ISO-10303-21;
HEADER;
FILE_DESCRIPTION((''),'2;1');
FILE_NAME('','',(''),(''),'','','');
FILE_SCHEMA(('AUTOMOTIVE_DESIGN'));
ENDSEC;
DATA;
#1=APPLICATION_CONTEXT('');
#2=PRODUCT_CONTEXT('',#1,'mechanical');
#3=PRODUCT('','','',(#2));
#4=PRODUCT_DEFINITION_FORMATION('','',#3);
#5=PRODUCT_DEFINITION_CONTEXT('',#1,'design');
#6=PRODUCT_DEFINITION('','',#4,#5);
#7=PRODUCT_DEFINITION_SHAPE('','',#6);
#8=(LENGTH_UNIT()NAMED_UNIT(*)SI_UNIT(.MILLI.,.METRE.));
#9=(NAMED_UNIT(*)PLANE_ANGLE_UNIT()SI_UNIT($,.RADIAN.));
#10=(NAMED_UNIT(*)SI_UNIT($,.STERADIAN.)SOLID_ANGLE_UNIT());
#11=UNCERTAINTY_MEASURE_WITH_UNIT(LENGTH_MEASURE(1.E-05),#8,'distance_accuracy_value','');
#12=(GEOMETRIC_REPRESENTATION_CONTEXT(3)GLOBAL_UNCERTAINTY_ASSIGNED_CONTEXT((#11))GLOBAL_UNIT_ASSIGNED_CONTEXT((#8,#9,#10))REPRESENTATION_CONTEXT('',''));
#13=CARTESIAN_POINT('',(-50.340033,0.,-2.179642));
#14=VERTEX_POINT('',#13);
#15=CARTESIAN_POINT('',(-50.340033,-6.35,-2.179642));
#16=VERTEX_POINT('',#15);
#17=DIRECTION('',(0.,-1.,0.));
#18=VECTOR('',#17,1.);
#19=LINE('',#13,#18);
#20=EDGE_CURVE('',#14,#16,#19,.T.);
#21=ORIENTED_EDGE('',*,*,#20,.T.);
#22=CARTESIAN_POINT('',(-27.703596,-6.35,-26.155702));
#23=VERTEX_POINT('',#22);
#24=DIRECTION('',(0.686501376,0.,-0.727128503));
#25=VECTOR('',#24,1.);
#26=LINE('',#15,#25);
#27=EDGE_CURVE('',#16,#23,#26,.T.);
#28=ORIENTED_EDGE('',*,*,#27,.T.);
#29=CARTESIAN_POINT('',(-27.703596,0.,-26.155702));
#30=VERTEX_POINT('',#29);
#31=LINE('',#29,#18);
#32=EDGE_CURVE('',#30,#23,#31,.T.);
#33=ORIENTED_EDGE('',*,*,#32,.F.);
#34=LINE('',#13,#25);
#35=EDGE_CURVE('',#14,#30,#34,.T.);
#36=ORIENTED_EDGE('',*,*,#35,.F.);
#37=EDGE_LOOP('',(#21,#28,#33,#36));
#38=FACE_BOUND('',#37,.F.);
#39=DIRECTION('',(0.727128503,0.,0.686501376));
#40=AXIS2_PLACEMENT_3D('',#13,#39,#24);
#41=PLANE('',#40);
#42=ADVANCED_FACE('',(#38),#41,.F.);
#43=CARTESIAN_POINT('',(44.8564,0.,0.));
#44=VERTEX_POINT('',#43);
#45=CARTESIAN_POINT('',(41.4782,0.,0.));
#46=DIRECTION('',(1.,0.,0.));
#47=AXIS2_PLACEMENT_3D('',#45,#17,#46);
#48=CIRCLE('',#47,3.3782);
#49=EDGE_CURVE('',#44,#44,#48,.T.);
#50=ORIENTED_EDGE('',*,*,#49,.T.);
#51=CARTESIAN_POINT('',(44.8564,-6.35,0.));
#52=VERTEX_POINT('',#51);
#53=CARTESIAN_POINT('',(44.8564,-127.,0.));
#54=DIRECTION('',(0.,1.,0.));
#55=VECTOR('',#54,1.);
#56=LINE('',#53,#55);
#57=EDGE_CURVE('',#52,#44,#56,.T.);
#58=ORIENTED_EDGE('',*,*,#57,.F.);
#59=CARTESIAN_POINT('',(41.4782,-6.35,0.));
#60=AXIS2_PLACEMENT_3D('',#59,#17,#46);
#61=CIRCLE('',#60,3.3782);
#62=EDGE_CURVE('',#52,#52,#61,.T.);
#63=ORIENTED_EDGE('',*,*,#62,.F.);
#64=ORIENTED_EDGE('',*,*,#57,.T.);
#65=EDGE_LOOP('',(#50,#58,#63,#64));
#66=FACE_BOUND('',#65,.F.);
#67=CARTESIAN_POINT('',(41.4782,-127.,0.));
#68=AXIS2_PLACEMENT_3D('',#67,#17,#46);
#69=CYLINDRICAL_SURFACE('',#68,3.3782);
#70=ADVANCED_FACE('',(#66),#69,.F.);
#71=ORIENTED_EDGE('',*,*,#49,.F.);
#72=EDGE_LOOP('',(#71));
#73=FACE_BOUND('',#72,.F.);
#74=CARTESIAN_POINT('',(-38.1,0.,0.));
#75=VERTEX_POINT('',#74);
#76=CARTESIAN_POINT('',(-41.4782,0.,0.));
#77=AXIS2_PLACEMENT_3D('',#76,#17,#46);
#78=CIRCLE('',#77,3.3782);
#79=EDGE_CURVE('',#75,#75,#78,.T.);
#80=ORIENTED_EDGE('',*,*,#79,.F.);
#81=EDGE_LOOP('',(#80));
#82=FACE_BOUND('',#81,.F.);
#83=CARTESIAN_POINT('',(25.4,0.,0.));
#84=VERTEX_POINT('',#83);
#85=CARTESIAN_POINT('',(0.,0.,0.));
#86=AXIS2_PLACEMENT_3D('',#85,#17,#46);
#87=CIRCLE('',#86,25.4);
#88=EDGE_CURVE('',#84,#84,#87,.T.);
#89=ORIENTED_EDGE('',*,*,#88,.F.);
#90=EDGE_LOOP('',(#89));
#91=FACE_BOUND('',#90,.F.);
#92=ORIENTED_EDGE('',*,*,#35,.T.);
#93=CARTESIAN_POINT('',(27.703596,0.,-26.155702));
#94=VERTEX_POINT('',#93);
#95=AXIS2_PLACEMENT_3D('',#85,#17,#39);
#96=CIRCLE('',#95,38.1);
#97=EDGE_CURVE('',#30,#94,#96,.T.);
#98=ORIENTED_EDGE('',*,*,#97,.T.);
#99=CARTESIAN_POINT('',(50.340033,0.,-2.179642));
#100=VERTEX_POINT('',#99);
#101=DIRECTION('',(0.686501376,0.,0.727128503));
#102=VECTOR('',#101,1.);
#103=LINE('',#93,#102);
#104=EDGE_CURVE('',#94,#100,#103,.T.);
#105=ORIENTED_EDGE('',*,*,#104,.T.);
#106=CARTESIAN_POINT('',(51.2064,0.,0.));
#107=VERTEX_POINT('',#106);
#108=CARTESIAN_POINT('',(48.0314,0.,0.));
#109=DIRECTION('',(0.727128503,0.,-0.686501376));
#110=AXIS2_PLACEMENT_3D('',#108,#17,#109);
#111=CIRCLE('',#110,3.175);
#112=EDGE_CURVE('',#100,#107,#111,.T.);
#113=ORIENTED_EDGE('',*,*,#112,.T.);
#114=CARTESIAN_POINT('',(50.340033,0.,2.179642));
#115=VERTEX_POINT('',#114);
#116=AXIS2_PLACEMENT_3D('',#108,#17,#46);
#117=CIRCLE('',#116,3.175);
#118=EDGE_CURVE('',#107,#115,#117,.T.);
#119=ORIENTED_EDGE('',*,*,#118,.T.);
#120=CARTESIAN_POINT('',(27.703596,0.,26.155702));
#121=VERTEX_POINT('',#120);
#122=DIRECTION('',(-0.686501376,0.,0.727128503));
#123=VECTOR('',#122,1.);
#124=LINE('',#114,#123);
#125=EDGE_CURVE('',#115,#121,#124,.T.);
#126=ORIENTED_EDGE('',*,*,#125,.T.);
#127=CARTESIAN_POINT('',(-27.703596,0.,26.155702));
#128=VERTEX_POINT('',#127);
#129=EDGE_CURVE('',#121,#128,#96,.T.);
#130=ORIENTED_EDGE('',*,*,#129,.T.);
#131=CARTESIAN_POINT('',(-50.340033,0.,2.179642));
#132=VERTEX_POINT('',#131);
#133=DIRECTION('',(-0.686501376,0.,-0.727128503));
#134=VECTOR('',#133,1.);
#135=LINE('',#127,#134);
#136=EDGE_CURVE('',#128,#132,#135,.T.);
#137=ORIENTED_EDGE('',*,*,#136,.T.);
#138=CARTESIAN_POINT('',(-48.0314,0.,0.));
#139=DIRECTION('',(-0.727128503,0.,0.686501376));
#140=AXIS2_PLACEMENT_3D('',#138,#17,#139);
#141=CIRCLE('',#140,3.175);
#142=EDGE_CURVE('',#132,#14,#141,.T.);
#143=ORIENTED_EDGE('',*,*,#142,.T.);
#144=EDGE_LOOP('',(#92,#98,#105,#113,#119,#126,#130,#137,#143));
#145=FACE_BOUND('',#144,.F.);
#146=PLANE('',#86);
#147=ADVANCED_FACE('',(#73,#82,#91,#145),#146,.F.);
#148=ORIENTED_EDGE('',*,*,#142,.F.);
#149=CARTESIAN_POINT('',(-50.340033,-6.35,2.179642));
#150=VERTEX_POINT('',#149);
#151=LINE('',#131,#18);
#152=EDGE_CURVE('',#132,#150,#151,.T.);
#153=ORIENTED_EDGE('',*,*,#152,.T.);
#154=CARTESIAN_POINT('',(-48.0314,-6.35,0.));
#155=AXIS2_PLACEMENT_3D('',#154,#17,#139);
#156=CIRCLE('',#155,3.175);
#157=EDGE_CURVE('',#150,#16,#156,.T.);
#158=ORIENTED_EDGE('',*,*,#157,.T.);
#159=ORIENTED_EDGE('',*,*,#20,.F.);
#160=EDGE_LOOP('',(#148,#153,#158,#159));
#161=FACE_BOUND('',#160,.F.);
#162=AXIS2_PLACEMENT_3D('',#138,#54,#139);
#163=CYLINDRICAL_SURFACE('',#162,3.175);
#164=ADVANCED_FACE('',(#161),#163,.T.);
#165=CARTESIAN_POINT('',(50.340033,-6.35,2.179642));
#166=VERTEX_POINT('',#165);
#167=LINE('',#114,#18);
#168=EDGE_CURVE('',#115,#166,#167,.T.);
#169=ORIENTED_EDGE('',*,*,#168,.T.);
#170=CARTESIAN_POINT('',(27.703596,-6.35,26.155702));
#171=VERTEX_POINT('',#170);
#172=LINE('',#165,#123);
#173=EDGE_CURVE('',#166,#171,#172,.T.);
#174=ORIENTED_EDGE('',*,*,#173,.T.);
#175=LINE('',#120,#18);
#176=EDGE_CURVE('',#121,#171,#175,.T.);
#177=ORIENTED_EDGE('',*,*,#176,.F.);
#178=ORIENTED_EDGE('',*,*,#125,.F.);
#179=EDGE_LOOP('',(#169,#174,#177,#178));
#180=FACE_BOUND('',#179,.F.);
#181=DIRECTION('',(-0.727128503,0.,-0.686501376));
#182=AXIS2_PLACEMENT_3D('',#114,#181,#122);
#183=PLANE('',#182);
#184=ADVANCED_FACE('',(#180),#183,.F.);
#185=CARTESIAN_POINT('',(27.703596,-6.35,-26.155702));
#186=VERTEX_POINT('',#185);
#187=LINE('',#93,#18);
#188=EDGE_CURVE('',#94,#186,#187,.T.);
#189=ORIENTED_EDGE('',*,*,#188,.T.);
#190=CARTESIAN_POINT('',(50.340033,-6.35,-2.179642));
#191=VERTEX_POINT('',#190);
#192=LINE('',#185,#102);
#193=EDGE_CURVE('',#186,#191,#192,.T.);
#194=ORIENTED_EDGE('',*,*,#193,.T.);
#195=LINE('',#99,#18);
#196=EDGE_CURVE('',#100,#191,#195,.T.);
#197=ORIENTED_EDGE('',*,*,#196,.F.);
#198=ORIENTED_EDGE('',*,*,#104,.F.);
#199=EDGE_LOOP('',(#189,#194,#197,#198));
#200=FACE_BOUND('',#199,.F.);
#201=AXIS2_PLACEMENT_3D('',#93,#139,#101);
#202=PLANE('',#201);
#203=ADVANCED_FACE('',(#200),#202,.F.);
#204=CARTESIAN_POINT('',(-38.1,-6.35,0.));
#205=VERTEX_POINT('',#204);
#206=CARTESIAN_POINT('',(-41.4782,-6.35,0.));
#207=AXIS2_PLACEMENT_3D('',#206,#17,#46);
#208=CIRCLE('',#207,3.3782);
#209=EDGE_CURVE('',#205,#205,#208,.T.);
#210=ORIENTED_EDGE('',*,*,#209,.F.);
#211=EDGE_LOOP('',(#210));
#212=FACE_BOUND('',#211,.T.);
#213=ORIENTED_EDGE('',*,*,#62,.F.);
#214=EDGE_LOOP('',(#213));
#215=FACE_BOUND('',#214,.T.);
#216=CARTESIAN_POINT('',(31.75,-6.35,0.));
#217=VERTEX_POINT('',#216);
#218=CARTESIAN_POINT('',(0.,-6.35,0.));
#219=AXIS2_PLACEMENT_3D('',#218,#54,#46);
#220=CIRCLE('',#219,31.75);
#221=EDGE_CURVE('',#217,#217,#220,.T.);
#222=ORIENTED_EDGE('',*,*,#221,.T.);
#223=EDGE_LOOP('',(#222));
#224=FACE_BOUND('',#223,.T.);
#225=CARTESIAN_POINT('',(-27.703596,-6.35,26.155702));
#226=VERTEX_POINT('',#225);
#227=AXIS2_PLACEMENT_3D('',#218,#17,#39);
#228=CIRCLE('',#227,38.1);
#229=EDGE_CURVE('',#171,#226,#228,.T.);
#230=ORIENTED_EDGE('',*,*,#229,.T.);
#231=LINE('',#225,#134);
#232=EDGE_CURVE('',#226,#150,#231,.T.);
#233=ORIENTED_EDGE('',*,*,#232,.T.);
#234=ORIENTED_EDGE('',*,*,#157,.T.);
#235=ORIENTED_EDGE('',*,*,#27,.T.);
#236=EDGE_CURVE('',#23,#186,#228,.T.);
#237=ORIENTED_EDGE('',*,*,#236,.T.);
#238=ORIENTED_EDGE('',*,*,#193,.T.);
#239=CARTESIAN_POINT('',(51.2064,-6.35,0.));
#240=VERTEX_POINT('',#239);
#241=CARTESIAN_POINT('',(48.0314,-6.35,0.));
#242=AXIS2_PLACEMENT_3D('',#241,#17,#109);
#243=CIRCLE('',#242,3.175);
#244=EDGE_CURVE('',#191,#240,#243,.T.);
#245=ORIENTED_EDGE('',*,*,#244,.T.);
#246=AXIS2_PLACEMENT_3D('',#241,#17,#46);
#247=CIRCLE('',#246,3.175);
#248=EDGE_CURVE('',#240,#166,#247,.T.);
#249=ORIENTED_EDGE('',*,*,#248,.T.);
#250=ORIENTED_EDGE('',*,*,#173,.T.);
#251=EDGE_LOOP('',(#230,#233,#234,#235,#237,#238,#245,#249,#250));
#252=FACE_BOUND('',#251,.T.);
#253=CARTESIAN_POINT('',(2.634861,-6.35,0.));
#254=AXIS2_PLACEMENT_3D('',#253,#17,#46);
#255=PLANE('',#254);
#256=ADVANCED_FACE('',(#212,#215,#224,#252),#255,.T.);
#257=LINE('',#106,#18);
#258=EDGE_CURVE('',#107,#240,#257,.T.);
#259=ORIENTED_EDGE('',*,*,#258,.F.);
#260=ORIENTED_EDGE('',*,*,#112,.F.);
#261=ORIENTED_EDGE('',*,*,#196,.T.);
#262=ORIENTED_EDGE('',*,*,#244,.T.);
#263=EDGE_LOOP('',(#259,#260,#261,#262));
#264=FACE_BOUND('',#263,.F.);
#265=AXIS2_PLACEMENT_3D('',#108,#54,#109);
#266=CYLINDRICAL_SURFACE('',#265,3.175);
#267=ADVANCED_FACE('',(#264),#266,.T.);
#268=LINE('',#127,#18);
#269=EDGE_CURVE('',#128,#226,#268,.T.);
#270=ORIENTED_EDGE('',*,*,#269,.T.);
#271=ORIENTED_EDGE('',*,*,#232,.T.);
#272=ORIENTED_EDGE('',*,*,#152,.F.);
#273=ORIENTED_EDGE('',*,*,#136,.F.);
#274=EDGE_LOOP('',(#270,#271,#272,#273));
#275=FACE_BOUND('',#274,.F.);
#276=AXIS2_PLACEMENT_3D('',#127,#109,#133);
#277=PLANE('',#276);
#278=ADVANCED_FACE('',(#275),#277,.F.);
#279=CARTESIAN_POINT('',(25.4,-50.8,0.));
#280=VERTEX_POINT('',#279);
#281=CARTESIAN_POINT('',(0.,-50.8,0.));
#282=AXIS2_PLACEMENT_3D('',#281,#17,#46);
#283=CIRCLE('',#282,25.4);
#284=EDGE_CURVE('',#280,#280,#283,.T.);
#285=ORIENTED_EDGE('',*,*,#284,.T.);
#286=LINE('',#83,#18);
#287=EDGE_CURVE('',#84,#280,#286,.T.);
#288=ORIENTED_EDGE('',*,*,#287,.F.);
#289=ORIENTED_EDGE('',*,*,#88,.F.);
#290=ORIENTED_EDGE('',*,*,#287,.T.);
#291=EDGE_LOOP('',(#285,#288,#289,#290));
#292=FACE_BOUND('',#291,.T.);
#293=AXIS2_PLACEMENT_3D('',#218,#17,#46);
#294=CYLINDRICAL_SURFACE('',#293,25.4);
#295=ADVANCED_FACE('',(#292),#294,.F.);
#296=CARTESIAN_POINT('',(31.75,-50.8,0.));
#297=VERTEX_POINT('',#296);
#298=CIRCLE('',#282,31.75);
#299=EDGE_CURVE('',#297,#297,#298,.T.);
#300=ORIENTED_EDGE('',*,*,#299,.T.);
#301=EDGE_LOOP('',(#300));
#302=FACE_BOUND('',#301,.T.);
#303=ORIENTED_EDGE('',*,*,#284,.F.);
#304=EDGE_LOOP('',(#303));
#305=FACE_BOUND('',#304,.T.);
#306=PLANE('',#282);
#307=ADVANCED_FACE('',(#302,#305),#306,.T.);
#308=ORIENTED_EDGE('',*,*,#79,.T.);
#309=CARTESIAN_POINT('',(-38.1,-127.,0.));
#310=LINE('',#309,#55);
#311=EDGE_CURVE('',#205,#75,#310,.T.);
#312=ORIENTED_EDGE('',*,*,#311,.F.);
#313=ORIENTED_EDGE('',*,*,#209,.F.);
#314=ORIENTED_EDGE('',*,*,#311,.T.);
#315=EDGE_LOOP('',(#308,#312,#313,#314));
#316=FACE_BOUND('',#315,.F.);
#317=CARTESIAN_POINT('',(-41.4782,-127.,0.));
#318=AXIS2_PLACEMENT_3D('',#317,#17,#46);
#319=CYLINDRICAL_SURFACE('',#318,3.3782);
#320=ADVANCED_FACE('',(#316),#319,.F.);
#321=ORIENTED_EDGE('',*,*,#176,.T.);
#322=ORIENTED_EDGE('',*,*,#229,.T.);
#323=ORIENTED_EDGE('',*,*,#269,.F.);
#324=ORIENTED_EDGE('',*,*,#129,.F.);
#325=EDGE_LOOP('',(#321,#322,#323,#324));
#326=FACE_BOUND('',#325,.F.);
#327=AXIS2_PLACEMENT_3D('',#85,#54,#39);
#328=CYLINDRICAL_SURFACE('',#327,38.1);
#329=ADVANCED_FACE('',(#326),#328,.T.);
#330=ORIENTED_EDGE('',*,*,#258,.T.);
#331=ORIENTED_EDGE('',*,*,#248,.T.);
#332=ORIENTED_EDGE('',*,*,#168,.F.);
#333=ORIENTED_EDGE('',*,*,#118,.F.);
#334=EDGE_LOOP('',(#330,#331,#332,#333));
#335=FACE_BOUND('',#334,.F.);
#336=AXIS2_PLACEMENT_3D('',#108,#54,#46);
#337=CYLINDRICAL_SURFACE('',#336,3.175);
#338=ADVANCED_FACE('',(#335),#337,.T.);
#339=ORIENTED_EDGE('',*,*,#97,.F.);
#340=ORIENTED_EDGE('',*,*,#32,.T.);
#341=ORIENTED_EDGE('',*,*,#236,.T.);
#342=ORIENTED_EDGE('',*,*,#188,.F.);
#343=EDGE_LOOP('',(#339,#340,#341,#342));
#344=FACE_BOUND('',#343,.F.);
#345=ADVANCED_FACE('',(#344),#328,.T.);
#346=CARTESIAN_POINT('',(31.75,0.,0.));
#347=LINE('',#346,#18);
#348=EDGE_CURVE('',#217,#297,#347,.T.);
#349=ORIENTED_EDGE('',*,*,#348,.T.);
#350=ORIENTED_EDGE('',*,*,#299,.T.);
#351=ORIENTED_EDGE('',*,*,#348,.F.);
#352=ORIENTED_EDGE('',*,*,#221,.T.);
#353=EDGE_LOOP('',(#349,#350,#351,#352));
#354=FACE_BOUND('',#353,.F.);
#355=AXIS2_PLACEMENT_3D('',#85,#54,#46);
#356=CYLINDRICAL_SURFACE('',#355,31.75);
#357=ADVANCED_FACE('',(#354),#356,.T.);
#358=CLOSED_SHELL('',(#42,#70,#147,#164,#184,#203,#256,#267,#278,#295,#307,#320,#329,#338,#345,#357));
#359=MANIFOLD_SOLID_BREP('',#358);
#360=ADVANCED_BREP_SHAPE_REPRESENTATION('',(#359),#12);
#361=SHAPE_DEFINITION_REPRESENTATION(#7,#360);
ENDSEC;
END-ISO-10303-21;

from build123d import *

# Parameters (mm, degrees)
F1_DEPTH = 6.35
F2_R     = 31.75
F2_R_2   = 25.4
F3_DEPTH = 50.8
F5_DEPTH = 127
F7_R     = 3.3782
F8_DEPTH = 127


with BuildPart() as f1:
    # F0 (on Front) → F1 (new body)
    with BuildSketch(Plane.XZ):
        with BuildLine():
            ThreePointArc((27.703595981, -26.1557024322), (35.4056281322, -14.0730770112), (38.1, 0))
            ThreePointArc((38.1, 0), (35.4056281322, 14.0730770112), (27.703595981, 26.1557024322))
            ThreePointArc((27.703595981, 26.1557024322), (0, 38.1), (-27.703595981, 26.1557024322))
            ThreePointArc((-27.703595981, 26.1557024322), (-38.1, 0), (-27.703595981, -26.1557024322))
            ThreePointArc((-27.703595981, -26.1557024322), (0, -38.1), (27.703595981, -26.1557024322))
        make_face()
        with BuildLine():
            ThreePointArc((27.703595981, 26.1557024322), (35.4056281322, 14.0730770112), (38.1, 0))
            ThreePointArc((38.1, 0), (35.4056281322, -14.0730770112), (27.703595981, -26.1557024322))
            Line((27.703595981, -26.1557024322), (50.3400329984, -2.1796418694))
            ThreePointArc((50.3400329984, -2.1796418694), (46.8586435824, -2.950469011), (44.8564, 0))
            ThreePointArc((44.8564, 0), (46.8586435824, 2.950469011), (50.3400329984, 2.1796418694))
            Line((50.3400329984, 2.1796418694), (27.703595981, 26.1557024322))
        make_face()
        with BuildLine():
            ThreePointArc((-27.703595981, -26.1557024322), (-38.1, 0), (-27.703595981, 26.1557024322))
            Line((-27.703595981, 26.1557024322), (-50.3400329984, 2.1796418694))
            ThreePointArc((-50.3400329984, 2.1796418694), (-46.8586435824, 2.950469011), (-44.8564, 0))
            ThreePointArc((-44.8564, 0), (-46.8586435824, -2.950469011), (-50.3400329984, -2.1796418694))
            Line((-50.3400329984, -2.1796418694), (-27.703595981, -26.1557024322))
        make_face()
        with BuildLine():
            ThreePointArc((51.2064, 0), (50.981869011, 1.1727564176), (50.3400329984, 2.1796418694))
            ThreePointArc((50.3400329984, 2.1796418694), (46.8586435824, 2.950469011), (44.8564, 0))
            ThreePointArc((44.8564, 0), (46.8586435824, -2.950469011), (50.3400329984, -2.1796418694))
            ThreePointArc((50.3400329984, -2.1796418694), (50.981869011, -1.1727564176), (51.2064, 0))
        make_face()
        with BuildLine():
            ThreePointArc((-44.8564, 0), (-46.8586435824, 2.950469011), (-50.3400329984, 2.1796418694))
            ThreePointArc((-50.3400329984, 2.1796418694), (-51.2064, 0), (-50.3400329984, -2.1796418694))
            ThreePointArc((-50.3400329984, -2.1796418694), (-46.8586435824, -2.950469011), (-44.8564, 0))
        make_face()
    extrude(amount=F1_DEPTH)

    # F2 (on Front) → F3 (join)
    with BuildSketch(Plane.XZ):
        Circle(F2_R)
        Circle(F2_R_2, mode=Mode.SUBTRACT)
    extrude(amount=F3_DEPTH)

    # F5 (cut): a face of the model
    f5_faces = [f1.faces().sort_by_distance(p)[0] for p in [
        (0, -6.35, 0),
    ]]
    extrude(f5_faces, amount=-F5_DEPTH, mode=Mode.SUBTRACT)

    # F7 (on offset) → F8 (cut)
    with BuildSketch(Plane.XZ.offset(127)):
        with Locations((-41.4782, 0)):
            Circle(F7_R)
        with Locations((41.4782, 0)):
            Circle(F7_R)
    extrude(amount=-F8_DEPTH, mode=Mode.SUBTRACT)


solid = f1.part
